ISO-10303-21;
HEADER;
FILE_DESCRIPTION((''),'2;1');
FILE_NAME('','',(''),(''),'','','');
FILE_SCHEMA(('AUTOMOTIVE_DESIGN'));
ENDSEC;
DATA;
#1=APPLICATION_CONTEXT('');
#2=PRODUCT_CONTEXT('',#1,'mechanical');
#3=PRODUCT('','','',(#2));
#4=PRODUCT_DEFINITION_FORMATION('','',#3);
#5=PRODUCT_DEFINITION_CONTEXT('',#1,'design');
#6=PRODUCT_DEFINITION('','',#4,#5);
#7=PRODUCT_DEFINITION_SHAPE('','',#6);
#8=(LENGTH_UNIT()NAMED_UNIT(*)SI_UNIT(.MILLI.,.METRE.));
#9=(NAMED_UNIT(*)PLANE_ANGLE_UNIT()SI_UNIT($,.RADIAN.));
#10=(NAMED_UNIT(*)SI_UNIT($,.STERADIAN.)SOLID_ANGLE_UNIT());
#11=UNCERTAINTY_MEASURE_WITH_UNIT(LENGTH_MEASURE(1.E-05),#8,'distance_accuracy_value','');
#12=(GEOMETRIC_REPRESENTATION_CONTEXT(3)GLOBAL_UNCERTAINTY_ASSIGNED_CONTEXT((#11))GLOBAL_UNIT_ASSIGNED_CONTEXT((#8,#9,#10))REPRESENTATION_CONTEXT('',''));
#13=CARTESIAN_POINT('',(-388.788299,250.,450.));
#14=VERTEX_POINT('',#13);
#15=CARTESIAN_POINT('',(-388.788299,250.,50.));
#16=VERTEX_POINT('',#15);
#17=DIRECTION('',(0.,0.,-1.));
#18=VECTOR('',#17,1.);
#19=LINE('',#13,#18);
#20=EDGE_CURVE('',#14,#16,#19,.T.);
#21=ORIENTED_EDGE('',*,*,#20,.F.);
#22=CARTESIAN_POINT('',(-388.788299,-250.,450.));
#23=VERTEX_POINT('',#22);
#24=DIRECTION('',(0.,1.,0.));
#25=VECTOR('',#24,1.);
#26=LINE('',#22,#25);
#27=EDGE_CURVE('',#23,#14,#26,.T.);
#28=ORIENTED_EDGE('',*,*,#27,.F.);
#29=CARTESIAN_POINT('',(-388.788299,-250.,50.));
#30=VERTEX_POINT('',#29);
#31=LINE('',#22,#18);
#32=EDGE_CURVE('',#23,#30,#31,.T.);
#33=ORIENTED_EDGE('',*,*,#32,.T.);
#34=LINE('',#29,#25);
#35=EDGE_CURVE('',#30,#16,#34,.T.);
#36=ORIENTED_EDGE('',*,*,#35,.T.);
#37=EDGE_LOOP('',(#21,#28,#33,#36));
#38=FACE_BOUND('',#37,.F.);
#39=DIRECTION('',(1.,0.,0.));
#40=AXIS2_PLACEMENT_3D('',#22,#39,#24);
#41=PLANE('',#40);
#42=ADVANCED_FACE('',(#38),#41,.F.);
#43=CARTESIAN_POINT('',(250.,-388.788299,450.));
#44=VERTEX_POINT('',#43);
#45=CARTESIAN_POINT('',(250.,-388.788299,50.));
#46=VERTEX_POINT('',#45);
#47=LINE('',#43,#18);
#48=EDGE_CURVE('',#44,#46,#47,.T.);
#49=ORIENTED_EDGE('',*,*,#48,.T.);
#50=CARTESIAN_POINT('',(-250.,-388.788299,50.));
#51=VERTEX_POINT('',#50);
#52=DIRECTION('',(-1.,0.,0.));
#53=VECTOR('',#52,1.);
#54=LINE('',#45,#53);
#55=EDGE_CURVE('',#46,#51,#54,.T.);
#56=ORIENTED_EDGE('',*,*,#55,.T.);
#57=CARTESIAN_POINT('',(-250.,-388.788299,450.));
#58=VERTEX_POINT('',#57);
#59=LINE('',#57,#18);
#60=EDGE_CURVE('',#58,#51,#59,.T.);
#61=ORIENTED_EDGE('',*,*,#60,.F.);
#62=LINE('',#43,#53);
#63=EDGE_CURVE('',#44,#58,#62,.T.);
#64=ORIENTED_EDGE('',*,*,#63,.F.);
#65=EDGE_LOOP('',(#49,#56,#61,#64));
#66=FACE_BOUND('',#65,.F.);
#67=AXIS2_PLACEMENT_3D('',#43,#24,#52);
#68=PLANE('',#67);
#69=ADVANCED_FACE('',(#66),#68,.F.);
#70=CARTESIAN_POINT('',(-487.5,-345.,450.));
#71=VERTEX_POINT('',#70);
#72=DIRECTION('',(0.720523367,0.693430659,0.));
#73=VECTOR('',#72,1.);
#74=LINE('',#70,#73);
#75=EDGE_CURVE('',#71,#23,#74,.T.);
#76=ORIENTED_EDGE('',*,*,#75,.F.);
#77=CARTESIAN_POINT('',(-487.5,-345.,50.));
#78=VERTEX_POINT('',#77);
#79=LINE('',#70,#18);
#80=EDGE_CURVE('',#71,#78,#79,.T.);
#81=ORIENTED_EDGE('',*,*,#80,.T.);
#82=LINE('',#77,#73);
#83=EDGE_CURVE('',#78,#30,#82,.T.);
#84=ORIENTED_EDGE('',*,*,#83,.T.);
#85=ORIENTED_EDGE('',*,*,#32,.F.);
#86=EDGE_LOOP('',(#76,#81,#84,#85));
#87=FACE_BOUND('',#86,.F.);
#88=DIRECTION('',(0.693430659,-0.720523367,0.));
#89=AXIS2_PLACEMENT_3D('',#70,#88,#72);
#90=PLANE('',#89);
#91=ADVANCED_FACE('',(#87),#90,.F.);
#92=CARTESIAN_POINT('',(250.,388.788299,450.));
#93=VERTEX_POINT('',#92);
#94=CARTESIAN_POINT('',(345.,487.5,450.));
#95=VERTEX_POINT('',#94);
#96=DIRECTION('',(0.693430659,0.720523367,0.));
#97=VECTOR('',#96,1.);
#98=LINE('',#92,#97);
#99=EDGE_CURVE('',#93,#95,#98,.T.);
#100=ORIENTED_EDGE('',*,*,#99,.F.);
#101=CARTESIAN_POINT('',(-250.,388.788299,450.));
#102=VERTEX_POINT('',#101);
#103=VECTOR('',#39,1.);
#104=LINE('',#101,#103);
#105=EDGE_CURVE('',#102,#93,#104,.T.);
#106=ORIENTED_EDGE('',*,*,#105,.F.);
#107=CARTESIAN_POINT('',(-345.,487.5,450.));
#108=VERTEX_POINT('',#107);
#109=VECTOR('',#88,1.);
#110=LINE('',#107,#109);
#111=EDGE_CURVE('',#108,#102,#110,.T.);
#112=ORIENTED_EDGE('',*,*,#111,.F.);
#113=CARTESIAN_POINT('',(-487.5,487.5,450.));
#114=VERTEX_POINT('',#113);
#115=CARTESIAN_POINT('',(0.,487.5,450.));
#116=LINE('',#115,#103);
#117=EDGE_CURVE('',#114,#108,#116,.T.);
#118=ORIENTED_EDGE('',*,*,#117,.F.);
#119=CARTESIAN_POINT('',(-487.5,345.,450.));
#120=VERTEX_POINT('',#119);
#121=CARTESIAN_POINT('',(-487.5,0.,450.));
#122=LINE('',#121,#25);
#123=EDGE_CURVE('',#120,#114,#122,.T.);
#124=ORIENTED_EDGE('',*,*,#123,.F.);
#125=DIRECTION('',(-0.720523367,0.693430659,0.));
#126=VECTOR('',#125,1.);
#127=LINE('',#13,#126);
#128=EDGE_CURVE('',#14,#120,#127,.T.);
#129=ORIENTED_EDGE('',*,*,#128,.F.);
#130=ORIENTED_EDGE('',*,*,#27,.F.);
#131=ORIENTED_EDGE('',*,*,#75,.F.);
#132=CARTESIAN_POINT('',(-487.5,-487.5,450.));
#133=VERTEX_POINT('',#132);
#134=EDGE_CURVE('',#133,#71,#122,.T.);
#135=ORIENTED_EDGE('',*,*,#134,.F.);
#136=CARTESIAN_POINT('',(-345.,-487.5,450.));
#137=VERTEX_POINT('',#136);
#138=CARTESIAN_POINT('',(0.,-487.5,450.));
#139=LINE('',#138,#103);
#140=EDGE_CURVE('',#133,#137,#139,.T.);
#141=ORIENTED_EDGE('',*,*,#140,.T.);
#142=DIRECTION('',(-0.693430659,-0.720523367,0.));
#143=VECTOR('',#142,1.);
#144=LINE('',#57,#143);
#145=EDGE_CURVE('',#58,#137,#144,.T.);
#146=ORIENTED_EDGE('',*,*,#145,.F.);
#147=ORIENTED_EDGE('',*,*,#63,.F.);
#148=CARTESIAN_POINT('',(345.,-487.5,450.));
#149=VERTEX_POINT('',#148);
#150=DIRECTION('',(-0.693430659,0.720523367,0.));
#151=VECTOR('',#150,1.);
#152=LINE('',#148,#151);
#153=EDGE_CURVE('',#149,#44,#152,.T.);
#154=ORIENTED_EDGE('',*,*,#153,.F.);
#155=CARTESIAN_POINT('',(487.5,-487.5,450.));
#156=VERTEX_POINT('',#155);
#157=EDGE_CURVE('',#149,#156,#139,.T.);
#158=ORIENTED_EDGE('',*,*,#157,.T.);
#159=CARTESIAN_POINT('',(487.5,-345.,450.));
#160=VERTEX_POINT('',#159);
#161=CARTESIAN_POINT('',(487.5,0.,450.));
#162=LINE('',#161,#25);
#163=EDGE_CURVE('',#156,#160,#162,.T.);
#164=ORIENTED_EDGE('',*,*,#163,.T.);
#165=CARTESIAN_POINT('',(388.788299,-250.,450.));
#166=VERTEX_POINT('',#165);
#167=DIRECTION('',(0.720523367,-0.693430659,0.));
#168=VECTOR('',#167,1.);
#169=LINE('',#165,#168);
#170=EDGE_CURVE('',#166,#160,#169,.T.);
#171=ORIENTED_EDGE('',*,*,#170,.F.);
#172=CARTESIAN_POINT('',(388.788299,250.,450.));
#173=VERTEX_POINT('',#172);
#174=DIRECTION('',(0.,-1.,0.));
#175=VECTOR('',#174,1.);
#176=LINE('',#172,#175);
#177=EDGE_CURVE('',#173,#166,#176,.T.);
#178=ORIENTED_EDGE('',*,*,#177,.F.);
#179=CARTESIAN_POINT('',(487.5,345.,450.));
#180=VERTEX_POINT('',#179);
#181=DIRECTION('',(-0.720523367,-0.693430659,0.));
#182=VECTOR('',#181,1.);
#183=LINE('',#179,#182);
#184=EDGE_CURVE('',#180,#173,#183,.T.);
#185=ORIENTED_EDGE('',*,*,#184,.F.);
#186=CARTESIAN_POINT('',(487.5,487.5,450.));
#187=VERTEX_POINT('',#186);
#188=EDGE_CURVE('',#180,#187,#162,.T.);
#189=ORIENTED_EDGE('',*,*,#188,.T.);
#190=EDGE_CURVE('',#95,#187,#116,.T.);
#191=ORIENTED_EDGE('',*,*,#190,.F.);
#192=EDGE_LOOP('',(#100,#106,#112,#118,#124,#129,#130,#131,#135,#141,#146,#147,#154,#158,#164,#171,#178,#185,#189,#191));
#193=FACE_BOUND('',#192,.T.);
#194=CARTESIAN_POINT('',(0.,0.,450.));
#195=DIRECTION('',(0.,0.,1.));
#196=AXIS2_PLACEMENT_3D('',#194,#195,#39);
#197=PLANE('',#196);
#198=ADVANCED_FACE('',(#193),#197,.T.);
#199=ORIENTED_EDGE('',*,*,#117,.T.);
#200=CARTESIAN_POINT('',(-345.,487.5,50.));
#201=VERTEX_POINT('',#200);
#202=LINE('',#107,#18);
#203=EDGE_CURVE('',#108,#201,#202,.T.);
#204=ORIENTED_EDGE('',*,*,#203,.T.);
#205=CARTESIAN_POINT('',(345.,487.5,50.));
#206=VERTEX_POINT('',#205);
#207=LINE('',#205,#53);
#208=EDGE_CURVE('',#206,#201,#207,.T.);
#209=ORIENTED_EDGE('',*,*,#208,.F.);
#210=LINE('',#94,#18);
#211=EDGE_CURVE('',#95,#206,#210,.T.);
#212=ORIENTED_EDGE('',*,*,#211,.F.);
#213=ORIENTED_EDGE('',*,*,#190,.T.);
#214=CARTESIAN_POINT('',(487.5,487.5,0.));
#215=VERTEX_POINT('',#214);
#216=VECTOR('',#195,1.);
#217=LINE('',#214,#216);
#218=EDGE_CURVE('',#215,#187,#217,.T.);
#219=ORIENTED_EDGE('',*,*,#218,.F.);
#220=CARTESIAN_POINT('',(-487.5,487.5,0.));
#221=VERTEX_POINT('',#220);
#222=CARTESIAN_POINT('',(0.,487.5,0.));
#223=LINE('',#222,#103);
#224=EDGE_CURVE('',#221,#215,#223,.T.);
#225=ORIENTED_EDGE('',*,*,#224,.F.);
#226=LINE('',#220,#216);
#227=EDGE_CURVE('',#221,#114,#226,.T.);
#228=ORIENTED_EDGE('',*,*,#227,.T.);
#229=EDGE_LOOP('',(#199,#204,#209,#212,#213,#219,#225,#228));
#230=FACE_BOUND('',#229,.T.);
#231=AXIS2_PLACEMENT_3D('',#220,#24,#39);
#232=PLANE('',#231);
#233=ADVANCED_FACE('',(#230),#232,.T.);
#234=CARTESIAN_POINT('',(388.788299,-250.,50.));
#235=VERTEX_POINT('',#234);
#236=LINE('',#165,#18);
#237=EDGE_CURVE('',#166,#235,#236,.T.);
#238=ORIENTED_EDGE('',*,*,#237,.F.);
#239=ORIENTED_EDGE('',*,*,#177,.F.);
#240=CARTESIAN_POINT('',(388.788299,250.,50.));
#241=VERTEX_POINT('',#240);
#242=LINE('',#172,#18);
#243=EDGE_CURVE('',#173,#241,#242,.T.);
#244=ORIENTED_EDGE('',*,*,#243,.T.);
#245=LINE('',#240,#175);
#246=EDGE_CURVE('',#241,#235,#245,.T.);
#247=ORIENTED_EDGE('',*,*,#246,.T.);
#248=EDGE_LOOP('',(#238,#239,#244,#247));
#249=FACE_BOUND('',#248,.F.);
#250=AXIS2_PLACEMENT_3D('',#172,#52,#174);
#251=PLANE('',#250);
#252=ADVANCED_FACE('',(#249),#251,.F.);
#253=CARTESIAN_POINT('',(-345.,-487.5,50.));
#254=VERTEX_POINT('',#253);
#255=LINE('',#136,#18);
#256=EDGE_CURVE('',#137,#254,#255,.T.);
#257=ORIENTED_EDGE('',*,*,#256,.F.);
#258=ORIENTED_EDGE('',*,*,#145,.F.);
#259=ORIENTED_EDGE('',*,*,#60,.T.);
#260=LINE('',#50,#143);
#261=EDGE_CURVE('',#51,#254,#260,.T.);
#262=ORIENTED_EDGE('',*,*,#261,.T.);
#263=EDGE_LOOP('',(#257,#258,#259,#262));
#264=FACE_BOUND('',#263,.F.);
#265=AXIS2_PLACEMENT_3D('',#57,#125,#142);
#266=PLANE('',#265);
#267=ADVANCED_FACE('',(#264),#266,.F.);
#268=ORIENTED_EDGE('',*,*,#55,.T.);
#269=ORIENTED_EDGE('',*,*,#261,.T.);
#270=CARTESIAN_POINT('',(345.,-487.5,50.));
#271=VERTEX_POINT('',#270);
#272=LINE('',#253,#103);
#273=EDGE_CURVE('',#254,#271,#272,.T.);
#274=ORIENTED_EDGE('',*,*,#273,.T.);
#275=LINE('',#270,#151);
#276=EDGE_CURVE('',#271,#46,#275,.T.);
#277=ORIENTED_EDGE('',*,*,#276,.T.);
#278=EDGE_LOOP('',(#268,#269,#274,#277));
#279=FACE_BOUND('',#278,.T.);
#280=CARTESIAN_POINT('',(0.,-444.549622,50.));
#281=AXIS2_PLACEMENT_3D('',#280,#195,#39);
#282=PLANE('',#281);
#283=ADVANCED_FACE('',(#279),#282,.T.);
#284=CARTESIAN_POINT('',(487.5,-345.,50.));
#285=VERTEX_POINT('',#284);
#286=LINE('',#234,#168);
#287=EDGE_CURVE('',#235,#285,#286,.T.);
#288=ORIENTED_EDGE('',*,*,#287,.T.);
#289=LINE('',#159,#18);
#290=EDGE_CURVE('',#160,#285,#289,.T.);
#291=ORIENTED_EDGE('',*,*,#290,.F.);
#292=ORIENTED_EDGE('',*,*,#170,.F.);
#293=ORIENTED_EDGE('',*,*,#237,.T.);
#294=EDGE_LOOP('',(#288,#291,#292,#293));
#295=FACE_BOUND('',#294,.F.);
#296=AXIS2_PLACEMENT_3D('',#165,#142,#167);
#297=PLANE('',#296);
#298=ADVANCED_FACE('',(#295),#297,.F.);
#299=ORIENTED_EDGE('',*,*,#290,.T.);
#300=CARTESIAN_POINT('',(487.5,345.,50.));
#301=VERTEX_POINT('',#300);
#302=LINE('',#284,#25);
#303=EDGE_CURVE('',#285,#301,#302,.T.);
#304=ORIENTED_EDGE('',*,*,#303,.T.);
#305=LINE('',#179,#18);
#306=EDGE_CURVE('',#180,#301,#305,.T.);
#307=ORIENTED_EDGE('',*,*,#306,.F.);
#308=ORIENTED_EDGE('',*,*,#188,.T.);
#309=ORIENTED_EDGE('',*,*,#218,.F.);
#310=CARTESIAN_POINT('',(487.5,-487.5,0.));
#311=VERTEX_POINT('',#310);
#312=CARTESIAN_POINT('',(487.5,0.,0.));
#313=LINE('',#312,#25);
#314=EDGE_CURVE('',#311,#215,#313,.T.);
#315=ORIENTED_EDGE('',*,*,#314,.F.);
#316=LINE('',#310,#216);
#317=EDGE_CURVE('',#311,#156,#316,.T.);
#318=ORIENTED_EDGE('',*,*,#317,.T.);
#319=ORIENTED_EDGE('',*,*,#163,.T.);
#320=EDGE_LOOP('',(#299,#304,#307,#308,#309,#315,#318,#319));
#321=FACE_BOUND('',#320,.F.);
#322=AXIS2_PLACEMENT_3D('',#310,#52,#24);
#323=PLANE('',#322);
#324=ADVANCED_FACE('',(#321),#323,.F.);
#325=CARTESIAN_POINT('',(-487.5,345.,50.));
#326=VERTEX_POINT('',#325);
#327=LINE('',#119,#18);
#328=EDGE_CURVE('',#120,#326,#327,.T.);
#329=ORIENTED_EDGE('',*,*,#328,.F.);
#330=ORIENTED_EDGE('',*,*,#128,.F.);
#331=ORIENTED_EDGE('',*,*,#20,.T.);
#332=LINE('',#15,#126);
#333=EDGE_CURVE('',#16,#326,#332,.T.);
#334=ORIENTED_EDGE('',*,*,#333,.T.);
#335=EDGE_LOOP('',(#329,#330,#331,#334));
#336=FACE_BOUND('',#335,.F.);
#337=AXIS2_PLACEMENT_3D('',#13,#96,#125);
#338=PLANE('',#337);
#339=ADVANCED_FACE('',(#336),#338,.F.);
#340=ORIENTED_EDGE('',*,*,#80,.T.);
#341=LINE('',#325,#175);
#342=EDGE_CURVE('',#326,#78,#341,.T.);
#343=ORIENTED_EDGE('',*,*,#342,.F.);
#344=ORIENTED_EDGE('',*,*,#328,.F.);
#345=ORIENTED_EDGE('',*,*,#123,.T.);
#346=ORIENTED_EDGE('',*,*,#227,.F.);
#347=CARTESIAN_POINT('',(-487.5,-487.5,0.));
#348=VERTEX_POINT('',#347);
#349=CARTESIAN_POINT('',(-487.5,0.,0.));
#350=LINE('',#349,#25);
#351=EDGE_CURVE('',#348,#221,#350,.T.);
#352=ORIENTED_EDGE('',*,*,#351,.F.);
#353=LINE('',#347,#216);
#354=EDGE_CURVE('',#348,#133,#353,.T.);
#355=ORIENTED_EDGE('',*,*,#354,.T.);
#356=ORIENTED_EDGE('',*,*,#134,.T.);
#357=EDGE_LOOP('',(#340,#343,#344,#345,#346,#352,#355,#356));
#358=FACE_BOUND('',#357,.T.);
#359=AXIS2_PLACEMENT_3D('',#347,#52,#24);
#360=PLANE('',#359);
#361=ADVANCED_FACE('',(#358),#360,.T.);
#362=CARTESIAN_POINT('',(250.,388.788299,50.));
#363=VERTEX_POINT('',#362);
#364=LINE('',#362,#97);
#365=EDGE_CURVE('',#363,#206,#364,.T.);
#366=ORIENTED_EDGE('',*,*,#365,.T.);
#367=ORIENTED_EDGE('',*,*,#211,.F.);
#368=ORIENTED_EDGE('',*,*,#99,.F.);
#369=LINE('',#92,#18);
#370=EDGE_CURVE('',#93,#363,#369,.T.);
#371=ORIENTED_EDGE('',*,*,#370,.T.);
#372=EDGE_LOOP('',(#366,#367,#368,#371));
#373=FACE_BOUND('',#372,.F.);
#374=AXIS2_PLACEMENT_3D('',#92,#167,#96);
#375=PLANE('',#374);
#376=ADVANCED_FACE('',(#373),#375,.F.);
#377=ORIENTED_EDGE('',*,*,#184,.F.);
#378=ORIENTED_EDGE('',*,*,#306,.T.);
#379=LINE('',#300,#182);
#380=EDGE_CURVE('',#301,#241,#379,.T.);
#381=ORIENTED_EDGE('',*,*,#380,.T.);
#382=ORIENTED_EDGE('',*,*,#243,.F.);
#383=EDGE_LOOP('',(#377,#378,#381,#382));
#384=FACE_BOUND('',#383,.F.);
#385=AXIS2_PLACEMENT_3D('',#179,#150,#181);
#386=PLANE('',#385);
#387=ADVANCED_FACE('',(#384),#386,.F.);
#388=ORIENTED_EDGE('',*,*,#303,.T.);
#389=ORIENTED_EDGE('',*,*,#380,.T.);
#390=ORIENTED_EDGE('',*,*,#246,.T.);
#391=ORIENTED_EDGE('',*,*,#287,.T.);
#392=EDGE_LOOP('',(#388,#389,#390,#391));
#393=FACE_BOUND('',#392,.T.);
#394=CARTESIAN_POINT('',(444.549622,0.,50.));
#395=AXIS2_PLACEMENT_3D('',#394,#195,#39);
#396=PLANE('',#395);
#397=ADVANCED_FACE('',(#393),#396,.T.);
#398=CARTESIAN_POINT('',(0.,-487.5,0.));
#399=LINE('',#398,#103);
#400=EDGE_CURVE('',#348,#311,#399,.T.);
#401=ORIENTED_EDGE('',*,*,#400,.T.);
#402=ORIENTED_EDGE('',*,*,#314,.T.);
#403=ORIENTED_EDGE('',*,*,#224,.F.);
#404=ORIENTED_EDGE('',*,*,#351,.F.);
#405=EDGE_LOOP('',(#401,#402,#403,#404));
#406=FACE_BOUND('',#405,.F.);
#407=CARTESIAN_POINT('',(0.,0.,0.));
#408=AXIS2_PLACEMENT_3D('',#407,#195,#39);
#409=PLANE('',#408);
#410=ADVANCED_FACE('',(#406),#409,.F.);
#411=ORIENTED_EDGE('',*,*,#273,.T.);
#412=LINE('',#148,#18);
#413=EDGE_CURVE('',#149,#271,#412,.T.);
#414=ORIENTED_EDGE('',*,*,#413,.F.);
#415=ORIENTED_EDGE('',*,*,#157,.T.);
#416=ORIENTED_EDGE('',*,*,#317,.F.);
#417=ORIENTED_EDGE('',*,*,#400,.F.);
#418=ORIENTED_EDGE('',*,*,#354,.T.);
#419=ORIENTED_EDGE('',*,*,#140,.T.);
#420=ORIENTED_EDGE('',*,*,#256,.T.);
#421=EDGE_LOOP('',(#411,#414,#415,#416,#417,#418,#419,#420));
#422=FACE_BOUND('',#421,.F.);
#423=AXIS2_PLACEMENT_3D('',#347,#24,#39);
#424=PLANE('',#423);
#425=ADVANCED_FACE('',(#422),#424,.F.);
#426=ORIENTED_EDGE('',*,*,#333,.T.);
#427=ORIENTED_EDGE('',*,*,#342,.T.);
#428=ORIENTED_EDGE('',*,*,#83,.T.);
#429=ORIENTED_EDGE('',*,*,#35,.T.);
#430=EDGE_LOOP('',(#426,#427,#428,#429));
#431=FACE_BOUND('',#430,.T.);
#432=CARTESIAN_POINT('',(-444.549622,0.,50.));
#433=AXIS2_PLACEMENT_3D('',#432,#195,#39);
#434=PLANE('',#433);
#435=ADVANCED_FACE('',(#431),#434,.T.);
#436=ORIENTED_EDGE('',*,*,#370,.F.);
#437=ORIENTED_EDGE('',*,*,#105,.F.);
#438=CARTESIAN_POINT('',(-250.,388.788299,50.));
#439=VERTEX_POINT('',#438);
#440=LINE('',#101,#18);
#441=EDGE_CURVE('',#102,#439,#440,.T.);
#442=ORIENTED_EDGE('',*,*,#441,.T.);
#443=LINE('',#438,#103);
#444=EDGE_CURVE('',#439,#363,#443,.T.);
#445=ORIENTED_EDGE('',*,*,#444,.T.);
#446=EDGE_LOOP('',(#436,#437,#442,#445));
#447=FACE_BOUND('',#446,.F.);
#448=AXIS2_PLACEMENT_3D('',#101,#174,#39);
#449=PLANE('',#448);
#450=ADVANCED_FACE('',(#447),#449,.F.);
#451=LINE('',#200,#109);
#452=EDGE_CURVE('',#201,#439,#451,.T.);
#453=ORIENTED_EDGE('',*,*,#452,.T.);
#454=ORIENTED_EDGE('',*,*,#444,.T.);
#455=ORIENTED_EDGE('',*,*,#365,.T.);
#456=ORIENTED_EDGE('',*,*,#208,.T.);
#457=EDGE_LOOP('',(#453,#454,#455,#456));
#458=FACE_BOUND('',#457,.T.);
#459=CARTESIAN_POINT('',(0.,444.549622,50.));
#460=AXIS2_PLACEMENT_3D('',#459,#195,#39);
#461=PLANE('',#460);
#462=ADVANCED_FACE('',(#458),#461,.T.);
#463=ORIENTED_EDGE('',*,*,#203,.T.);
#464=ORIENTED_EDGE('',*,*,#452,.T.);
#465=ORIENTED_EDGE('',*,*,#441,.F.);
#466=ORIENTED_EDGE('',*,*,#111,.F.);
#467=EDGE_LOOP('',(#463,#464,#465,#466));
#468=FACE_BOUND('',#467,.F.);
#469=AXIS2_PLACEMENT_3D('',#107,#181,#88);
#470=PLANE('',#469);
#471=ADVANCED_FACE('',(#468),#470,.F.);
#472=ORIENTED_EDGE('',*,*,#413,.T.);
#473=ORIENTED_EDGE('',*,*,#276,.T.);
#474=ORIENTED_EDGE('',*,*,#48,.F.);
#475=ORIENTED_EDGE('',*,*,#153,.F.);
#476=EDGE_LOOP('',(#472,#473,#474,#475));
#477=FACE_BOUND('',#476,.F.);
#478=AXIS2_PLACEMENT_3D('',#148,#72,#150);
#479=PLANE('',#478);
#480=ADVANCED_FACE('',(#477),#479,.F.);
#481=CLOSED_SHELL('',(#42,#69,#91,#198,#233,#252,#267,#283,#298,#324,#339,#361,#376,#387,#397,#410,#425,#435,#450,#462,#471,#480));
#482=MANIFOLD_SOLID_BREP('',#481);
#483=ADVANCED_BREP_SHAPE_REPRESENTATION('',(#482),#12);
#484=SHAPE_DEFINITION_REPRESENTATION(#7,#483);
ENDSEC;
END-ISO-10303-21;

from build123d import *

# Parameters (mm, degrees)
F0_W     = 975
F0_H     = 975
F0_W_2   = 600
F0_H_2   = 600
F1_DEPTH = 450
F3_DEPTH = 400


with BuildPart() as f1:
    # F0 (on Top) → F1 (new body)
    with BuildSketch(Plane.XY):
        Rectangle(F0_W, F0_H)
        Rectangle(F0_W_2, F0_H_2, mode=Mode.SUBTRACT)
        Rectangle(F0_W_2, F0_H_2)
    extrude(amount=F1_DEPTH)

    # F2 (on face) → F3 (cut)
    with BuildSketch(Plane.XY.offset(450)):
        Polygon((-388.788299, 250), (-487.5, 345), (-487.5, -345), (-388.788299, -250), align=None)
        Polygon((345, 487.5), (-345, 487.5), (-250, 388.788299), (250, 388.788299), align=None)
        Polygon((487.5, -345), (487.5, 345), (388.788299, 250), (388.788299, -250), align=None)
        Polygon((-250, -388.788299), (-345, -487.5), (345, -487.5), (250, -388.788299), align=None)
    extrude(amount=-F3_DEPTH, mode=Mode.SUBTRACT)


solid = f1.part
